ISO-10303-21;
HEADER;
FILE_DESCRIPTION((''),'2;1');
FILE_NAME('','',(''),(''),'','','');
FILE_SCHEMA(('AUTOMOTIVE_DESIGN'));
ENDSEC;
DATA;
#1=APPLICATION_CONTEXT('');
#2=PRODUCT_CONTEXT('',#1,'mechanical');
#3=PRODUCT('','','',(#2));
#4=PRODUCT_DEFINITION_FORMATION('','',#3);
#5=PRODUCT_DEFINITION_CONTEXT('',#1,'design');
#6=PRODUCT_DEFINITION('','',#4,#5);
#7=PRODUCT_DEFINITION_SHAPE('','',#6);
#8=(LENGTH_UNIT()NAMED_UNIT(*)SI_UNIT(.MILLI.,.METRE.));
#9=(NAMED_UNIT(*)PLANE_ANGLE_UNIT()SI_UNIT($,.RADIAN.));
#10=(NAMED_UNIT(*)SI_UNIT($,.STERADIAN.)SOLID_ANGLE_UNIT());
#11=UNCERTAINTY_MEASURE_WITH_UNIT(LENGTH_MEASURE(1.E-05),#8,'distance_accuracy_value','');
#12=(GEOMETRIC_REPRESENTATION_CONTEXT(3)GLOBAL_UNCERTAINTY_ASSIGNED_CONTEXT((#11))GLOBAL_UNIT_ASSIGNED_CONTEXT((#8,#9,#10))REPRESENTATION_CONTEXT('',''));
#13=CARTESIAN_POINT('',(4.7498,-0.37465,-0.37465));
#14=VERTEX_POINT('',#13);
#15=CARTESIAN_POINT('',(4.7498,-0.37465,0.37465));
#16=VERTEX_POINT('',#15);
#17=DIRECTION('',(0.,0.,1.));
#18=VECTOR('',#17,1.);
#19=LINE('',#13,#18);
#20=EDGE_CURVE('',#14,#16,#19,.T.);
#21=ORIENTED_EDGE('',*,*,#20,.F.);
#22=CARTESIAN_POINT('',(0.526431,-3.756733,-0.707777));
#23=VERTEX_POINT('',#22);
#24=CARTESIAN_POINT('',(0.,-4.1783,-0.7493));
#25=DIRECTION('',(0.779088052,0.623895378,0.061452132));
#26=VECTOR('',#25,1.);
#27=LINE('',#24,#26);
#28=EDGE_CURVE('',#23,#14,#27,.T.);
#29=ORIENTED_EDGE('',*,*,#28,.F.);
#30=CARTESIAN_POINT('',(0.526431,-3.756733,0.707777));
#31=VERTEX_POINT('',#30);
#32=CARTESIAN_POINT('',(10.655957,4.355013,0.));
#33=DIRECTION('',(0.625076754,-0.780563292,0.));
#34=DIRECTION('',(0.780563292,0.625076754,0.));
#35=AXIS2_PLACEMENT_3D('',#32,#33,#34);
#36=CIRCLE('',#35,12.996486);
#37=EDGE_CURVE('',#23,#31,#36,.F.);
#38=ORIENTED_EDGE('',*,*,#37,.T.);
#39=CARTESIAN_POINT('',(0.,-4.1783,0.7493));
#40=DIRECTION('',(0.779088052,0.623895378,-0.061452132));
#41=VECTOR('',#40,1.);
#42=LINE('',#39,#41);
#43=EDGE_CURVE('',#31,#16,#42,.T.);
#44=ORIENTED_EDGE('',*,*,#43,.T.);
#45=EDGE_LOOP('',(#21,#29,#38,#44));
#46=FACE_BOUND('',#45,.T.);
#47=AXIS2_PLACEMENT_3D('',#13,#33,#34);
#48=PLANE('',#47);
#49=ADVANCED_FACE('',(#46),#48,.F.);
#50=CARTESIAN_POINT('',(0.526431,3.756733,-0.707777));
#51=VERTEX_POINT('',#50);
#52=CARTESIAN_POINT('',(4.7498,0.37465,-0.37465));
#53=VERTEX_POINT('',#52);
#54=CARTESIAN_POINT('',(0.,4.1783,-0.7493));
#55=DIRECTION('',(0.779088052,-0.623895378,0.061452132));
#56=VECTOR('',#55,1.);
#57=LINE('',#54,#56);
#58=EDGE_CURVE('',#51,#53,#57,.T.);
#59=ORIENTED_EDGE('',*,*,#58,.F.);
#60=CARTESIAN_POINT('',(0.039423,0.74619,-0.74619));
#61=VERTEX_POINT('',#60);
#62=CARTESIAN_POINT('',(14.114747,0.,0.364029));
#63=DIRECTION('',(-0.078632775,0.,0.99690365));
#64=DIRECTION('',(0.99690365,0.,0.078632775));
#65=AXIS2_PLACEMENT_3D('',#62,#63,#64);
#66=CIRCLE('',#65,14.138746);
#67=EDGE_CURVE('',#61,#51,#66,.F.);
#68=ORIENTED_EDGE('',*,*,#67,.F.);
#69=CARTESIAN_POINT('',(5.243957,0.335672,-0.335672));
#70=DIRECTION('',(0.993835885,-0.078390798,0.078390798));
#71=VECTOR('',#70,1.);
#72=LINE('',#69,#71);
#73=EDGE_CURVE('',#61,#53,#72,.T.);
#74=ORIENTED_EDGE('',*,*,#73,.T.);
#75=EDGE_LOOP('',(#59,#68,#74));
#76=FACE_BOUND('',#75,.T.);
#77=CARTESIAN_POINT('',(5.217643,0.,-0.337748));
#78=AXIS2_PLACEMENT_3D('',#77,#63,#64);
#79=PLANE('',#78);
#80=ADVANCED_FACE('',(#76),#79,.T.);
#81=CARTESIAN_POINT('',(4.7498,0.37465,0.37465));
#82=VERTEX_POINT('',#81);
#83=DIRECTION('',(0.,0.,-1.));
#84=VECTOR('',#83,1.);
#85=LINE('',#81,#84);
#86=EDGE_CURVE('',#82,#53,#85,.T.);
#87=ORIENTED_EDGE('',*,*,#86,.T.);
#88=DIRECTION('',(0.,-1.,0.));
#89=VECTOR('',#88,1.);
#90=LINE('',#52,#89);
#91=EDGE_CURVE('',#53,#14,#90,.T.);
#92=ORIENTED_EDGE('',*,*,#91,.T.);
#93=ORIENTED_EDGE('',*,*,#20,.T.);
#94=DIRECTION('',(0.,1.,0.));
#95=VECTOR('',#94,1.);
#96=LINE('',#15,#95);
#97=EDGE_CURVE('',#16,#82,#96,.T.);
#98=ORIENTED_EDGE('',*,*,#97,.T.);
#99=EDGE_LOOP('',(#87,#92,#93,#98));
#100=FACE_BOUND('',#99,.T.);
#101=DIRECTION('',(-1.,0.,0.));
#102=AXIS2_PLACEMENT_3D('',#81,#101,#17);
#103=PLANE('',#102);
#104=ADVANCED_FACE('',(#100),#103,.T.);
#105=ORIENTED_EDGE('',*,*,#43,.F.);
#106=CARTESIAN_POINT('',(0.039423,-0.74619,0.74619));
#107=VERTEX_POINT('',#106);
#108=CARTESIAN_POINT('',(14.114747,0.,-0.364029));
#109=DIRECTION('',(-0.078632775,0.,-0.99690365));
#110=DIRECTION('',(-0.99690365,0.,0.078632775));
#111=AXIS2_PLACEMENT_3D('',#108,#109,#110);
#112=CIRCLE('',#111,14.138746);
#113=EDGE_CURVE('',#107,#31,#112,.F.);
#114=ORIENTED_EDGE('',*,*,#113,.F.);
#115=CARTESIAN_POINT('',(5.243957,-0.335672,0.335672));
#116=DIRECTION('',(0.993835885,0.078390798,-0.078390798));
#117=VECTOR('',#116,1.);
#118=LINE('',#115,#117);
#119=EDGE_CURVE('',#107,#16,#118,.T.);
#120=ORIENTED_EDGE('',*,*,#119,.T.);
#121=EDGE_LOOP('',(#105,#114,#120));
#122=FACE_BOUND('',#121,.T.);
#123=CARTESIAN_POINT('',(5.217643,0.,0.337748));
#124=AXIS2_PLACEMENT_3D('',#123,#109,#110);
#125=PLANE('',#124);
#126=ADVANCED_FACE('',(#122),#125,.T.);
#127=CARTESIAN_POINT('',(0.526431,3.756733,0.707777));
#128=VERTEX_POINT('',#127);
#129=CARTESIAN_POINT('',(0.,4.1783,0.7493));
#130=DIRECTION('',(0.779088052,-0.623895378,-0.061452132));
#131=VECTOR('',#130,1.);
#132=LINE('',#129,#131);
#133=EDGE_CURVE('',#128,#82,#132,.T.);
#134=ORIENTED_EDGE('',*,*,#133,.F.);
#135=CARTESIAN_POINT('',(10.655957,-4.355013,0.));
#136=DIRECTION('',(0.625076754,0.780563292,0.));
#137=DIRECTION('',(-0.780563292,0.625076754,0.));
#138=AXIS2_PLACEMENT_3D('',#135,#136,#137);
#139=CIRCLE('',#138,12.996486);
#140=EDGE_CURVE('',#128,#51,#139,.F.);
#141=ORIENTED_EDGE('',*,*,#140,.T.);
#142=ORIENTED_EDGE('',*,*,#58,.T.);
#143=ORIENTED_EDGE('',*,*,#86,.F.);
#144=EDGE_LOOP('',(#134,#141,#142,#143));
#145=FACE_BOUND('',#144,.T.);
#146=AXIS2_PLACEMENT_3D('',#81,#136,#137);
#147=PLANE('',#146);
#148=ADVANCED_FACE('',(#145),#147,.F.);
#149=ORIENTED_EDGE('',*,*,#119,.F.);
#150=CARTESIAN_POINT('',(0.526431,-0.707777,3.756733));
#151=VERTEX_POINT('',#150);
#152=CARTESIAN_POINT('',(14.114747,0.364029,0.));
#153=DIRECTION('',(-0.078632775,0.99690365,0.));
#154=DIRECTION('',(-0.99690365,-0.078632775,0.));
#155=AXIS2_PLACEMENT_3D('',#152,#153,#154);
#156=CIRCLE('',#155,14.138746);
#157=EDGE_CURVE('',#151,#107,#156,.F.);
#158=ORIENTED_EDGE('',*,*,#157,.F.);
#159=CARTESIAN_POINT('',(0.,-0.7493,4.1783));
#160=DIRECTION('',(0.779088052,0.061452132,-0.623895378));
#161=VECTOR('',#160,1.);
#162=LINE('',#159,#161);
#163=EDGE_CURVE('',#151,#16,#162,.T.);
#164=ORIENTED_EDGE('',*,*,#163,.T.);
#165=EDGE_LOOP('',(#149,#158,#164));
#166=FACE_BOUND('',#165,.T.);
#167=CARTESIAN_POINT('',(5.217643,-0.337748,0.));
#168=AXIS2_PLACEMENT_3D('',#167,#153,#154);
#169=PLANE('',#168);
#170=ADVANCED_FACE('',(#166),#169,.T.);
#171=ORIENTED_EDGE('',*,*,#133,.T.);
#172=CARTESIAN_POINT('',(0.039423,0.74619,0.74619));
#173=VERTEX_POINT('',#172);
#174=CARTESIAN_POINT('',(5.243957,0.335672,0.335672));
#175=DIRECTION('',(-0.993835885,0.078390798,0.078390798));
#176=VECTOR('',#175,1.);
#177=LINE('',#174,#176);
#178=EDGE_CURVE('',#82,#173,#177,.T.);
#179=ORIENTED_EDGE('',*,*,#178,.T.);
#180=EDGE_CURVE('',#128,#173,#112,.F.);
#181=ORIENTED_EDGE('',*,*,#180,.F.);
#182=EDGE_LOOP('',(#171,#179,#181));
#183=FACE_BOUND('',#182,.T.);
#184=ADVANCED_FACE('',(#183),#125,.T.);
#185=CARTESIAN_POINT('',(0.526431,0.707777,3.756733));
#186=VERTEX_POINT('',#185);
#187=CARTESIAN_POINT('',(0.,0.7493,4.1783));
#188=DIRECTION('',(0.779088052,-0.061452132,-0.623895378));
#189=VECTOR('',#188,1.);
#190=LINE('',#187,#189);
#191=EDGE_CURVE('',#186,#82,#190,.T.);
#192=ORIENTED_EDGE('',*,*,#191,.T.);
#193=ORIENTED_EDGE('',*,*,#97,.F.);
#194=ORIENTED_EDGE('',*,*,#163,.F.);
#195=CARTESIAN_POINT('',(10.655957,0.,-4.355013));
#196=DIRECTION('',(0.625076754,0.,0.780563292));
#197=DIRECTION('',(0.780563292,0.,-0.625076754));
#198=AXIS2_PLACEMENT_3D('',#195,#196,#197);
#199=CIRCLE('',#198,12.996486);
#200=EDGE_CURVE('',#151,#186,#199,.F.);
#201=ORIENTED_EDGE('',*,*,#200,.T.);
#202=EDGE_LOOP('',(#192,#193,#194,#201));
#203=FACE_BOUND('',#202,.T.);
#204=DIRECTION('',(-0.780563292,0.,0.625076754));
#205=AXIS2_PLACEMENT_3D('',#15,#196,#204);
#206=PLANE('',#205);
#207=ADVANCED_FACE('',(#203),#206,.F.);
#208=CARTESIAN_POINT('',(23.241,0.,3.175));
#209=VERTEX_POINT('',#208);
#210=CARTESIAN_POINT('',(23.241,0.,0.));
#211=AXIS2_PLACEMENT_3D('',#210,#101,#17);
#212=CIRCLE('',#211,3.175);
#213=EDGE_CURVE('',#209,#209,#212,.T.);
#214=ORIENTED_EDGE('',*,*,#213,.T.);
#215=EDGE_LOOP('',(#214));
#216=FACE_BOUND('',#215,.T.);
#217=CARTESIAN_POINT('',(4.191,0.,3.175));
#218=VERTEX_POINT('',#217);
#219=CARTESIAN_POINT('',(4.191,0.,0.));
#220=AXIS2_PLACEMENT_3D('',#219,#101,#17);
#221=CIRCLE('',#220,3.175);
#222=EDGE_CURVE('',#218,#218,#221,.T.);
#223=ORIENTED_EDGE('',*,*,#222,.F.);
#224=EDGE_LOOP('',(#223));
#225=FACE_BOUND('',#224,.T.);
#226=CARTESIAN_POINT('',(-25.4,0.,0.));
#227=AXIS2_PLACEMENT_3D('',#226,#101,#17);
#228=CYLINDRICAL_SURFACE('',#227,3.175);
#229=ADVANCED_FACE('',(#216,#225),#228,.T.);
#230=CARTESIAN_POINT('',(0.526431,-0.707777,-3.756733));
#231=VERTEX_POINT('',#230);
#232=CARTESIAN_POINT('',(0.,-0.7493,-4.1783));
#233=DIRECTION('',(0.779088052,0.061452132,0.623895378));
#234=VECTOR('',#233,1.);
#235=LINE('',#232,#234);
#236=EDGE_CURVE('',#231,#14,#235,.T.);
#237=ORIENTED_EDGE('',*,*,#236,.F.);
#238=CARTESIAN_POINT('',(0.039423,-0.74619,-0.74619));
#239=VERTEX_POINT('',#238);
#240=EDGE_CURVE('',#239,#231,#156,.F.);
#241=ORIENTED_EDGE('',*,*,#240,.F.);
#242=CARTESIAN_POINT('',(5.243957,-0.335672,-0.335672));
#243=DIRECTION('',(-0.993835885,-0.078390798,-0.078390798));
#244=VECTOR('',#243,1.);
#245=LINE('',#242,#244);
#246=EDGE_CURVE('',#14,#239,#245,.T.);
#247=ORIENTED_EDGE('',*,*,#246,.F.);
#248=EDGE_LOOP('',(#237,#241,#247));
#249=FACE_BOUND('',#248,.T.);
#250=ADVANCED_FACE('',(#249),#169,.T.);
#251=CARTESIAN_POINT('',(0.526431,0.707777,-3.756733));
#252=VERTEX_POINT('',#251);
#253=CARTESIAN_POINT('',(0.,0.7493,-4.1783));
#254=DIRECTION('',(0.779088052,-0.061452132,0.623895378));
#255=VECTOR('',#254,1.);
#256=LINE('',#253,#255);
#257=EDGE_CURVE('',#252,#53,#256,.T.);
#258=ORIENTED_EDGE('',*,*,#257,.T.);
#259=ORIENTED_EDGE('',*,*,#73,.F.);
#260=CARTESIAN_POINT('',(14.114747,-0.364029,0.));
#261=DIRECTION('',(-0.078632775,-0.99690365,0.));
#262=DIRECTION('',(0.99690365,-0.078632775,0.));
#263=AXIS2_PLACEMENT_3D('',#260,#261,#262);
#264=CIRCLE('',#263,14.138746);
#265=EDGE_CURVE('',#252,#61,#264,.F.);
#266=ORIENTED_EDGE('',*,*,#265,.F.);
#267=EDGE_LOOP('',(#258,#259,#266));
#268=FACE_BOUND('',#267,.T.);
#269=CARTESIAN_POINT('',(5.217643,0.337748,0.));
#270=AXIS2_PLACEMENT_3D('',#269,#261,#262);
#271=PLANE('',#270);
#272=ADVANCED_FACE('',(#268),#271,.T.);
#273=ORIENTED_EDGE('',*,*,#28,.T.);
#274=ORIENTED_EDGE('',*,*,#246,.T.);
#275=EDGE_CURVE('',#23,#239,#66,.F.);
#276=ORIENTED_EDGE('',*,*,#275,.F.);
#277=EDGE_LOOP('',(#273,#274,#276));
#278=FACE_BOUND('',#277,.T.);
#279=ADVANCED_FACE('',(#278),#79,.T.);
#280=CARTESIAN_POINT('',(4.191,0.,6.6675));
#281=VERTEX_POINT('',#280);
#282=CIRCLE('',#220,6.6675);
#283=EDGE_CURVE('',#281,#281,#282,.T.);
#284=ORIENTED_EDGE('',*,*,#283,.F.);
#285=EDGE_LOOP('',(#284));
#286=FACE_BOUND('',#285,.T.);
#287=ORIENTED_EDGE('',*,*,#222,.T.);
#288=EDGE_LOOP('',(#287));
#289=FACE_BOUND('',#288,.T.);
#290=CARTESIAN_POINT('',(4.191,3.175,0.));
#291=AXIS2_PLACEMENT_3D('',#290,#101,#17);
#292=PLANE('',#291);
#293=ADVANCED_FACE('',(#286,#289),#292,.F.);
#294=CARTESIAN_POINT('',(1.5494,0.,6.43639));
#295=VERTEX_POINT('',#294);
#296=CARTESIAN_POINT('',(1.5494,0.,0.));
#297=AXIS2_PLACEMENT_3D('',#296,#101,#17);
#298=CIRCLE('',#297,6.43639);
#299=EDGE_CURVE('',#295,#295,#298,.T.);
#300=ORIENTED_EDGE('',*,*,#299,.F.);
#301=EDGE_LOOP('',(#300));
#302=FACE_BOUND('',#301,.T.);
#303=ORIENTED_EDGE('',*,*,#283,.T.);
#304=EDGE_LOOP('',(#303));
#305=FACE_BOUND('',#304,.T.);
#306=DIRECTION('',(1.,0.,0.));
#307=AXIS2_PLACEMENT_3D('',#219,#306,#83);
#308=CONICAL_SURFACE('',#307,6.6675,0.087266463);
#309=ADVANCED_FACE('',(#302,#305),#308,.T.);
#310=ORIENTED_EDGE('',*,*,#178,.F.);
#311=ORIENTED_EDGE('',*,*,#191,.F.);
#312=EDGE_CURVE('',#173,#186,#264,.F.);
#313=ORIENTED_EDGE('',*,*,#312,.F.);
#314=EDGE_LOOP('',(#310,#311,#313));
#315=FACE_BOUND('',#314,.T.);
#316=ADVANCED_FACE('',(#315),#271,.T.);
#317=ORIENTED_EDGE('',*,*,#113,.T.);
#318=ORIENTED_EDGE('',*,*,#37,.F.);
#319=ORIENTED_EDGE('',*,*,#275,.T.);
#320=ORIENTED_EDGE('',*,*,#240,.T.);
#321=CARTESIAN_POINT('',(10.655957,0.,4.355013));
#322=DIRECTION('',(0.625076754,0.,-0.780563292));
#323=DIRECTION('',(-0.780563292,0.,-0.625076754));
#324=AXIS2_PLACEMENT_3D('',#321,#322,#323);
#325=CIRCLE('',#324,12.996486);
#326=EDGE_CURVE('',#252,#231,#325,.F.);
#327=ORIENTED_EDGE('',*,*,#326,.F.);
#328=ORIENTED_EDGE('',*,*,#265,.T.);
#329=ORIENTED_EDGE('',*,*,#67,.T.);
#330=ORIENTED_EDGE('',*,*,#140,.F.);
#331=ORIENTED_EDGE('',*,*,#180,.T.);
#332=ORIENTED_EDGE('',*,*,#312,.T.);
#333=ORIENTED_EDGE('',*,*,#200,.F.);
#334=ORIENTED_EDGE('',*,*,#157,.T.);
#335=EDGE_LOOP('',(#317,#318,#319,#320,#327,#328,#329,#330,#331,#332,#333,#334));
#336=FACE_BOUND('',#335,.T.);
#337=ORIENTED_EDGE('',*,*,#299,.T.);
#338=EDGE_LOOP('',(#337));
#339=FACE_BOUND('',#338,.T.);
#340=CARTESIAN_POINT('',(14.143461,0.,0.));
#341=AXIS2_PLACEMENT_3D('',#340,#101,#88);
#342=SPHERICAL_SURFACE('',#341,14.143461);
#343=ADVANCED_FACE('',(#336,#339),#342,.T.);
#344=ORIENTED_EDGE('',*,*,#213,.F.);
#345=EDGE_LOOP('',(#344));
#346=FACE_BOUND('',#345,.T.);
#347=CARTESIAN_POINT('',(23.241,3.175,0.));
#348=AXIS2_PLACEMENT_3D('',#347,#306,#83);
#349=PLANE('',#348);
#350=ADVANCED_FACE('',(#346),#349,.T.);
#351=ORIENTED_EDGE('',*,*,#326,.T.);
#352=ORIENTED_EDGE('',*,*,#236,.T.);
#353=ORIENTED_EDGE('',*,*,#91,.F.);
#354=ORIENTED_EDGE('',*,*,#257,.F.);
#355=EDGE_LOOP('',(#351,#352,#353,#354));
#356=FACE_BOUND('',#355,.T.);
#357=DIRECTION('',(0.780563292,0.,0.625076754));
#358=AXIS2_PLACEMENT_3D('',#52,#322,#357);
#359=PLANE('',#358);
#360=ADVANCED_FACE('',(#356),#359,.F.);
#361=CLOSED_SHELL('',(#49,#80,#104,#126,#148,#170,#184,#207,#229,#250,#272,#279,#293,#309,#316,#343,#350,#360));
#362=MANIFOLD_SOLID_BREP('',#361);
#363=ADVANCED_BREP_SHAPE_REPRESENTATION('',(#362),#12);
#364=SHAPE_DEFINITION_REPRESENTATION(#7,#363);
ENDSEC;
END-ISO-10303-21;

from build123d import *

# Parameters (mm, degrees)
CIRPATTERN1_COUNT = 2
CIRPATTERN1_ANGLE = 90


with BuildPart() as part:
    # BodySke → Base-Revolve (revolve)
    with BuildSketch(Plane.XY, mode=Mode.PRIVATE) as base_revolve_sk:
        with BuildLine():
            Line((4.191, 3.175), (4.191, 6.6675))
            Line((4.191, 6.6675), (1.5494, 6.436389946))
            ThreePointArc((1.5494, 6.436389946), (0.392804659, 3.310126731), (0, 0))
            Line((0, 0), (23.241, 0))
            Line((23.241, 0), (23.241, 3.175))
            Line((23.241, 3.175), (4.191, 3.175))
        make_face()
    revolve(base_revolve_sk.sketch.rotate(Axis((-25.4, 0, 0), (1, 0, 0)), 90), axis=Axis((-25.4, 0, 0), (1, 0, 0)))

    # Sketch3 → Cross section 0
    with BuildSketch(Plane(origin=(0, 0, 0), x_dir=(0, 0, -1), z_dir=(1, 0, 0))):
        with BuildLine():
            Line((-0.7493, 4.1783), (0.7493, 4.1783))
            Line((0.7493, 4.1783), (0.7493, -4.1783))
            Line((0.7493, -4.1783), (-0.7493, -4.1783))
            Line((-0.7493, -4.1783), (-0.7493, 4.1783))
        make_face()
    # Sketch4 → Cross section 1
    with BuildSketch(Plane(origin=(4.7498, 0, 0), x_dir=(0, 0, -1), z_dir=(1, 0, 0))):
        with BuildLine():
            Line((-0.37465, 0.37465), (0.37465, 0.37465))
            Line((0.37465, 0.37465), (0.37465, -0.37465))
            Line((0.37465, -0.37465), (-0.37465, -0.37465))
            Line((-0.37465, -0.37465), (-0.37465, 0.37465))
        make_face()
    cross = loft(mode=Mode.SUBTRACT)

    # CirPattern1: Cross ×2 about axis
    cirpattern1_axis = Axis((0, 0, 0), (1, 0, 0))
    for i in range(1, CIRPATTERN1_COUNT):
        add(cross.rotate(cirpattern1_axis, i * CIRPATTERN1_ANGLE / (CIRPATTERN1_COUNT - 1)), mode=Mode.SUBTRACT)


solid = part.part
